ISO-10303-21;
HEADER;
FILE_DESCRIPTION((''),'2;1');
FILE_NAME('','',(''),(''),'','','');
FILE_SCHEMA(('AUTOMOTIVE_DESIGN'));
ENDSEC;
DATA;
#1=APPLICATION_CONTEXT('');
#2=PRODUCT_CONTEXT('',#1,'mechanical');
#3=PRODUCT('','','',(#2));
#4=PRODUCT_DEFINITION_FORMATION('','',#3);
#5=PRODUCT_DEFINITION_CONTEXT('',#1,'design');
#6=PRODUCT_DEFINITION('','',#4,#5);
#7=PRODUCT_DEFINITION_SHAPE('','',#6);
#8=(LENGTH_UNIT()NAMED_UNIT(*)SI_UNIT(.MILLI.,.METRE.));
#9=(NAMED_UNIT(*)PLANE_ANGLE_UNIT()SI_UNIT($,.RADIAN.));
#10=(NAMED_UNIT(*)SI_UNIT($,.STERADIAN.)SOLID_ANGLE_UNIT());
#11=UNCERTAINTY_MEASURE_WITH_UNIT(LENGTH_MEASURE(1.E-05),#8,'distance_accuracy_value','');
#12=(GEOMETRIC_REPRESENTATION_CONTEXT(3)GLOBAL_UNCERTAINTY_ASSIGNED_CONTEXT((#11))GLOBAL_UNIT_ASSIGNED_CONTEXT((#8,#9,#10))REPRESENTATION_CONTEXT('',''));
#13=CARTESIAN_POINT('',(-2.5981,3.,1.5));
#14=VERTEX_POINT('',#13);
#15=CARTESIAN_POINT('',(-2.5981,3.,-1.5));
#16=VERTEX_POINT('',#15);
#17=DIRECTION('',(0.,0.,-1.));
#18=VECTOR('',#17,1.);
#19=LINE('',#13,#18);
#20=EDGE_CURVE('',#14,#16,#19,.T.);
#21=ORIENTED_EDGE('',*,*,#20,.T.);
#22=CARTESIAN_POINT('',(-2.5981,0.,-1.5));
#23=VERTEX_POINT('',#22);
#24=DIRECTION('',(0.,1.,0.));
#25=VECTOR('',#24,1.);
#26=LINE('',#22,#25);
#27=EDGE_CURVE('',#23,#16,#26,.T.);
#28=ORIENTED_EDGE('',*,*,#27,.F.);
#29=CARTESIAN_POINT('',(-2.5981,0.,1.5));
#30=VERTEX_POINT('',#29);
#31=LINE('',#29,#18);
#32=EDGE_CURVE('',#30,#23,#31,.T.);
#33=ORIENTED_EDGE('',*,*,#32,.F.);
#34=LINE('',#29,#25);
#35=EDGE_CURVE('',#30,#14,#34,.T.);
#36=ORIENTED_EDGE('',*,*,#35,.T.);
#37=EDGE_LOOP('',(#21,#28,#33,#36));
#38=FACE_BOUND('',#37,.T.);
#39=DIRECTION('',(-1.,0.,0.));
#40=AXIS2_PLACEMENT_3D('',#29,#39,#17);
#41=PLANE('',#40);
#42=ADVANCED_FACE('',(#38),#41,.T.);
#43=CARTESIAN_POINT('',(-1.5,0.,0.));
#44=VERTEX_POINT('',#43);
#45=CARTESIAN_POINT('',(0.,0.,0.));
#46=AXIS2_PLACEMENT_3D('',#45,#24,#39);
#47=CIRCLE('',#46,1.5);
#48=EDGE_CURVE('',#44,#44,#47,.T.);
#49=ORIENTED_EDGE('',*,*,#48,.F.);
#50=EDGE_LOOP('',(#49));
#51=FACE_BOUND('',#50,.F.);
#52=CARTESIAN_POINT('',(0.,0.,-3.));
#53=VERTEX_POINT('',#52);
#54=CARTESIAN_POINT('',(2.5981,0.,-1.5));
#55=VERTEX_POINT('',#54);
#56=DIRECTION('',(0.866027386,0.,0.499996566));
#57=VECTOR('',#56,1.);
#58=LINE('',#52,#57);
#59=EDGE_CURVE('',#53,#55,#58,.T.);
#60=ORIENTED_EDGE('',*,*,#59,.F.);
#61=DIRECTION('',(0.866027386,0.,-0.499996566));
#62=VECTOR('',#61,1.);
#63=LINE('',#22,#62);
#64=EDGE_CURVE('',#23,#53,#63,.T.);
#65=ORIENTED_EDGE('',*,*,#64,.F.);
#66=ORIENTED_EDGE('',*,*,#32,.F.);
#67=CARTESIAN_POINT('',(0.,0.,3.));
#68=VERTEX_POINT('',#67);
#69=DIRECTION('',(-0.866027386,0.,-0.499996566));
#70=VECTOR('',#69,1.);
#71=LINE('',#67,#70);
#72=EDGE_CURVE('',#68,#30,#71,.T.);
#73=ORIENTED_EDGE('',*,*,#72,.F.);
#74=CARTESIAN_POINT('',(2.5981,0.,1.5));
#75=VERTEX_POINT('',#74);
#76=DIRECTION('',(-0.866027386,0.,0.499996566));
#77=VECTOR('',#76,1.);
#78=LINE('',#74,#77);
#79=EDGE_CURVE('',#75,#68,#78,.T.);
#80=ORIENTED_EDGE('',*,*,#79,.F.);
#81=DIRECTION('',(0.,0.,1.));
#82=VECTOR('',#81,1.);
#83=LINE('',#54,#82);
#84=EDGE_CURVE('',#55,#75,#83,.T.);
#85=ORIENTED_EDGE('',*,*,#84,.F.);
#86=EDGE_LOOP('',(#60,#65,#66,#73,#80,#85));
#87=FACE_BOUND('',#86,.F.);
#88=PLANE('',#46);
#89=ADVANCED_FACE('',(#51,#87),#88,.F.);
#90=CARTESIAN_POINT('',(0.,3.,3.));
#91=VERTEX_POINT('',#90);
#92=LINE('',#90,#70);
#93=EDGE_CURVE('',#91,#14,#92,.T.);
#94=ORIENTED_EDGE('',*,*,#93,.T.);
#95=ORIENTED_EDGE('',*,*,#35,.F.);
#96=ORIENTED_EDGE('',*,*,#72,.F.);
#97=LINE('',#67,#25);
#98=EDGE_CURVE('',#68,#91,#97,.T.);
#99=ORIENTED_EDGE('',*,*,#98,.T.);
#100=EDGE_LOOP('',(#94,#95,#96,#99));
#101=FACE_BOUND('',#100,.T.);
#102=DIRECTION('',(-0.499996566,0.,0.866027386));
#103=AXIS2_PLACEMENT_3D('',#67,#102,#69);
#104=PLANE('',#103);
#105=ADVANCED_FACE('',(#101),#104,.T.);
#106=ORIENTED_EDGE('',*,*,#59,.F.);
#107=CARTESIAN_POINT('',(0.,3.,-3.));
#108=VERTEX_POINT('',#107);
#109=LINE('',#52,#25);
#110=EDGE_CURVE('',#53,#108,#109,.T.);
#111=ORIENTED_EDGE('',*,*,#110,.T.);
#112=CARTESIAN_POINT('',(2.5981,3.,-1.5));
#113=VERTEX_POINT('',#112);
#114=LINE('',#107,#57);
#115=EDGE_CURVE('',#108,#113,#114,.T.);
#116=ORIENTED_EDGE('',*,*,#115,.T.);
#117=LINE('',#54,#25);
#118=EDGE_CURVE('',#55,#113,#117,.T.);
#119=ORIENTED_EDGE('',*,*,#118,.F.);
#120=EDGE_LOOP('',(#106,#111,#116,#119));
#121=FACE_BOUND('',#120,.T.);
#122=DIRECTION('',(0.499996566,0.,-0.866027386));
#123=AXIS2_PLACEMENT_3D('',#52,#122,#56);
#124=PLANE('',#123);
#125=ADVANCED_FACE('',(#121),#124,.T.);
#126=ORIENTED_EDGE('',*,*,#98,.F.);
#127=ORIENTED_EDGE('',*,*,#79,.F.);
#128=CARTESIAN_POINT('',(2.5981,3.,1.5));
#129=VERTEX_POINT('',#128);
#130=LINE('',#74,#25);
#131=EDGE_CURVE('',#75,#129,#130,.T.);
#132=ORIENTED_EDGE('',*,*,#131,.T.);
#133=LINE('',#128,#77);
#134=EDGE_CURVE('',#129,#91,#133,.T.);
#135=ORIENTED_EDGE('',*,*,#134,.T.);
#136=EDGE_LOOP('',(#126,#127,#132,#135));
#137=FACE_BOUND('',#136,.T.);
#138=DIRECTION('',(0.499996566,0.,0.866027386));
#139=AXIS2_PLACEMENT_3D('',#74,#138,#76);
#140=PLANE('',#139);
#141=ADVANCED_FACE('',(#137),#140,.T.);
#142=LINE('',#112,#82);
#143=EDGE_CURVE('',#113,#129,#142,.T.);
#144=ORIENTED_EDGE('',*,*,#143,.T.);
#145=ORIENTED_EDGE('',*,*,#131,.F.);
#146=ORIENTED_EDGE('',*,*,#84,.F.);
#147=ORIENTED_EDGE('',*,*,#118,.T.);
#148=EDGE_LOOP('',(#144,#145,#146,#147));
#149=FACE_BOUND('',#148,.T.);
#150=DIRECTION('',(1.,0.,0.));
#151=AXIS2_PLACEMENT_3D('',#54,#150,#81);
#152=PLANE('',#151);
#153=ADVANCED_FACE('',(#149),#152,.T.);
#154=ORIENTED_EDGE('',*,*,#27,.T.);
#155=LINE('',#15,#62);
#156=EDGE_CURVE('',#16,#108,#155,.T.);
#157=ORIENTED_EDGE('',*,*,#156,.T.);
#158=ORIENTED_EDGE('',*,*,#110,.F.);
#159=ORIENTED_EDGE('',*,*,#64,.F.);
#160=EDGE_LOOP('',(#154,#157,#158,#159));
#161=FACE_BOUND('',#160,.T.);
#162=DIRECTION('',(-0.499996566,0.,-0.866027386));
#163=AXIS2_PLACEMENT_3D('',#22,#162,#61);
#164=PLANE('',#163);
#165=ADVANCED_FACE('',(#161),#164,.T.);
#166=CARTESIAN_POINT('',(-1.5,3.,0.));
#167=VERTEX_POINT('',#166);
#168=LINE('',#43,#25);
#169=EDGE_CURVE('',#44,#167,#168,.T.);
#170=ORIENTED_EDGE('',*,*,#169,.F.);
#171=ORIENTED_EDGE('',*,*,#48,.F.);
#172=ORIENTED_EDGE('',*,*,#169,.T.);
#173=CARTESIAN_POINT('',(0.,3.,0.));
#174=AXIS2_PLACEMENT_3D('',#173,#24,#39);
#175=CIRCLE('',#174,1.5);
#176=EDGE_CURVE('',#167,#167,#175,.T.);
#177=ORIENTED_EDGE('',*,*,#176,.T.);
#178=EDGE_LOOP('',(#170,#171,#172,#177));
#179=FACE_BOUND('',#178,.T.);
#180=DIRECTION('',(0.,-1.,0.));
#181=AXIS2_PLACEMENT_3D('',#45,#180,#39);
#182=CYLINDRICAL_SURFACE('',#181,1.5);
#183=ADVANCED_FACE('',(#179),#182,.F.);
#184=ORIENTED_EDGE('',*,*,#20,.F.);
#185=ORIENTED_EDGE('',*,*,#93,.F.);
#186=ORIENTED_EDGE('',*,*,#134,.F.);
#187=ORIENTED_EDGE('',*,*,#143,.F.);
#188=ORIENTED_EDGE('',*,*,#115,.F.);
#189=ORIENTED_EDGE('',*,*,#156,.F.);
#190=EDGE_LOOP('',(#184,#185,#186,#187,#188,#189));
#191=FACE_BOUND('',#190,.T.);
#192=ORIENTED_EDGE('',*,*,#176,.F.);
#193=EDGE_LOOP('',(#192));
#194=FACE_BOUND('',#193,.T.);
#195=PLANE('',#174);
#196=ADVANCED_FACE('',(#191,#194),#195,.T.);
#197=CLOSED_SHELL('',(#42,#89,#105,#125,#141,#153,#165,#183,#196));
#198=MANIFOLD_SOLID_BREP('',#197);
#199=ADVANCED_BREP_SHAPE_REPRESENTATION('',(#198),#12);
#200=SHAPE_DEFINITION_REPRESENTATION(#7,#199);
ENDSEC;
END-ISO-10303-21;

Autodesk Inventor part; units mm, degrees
ref_plane "YZ Plane" through (0, 0, 0) normal (1, 0, 0) x (0, 1, 0)
ref_plane "XZ Plane" through (0, 0, 0) normal (0, 1, 0) x (-1, 0, 0)
ref_plane "XY Plane" through (0, 0, 0) normal (0, 0, 1) x (1, 0, 0)
sketch "Sketch1" plane through (0, 0, 0) normal (0, 1, 0) x (-1, 0, 0)
  circle A0 centre (0, 0) radius 1.5
  line L0 (0, -3) -> (-2.5981, -1.5)
  line L1 (-2.5981, -1.5) -> (-2.5981, 1.5)
  line L2 (-2.5981, 1.5) -> (0, 3)
  line L3 (0, 3) -> (2.5981, 1.5)
  line L4 (2.5981, 1.5) -> (2.5981, -1.5)
  line L5 (2.5981, -1.5) -> (0, -3)
  dimension "d0" = 3
  dimension "d1" = 3
extrude "Extrusion1" add sketch "Sketch1" along normal blind 3
